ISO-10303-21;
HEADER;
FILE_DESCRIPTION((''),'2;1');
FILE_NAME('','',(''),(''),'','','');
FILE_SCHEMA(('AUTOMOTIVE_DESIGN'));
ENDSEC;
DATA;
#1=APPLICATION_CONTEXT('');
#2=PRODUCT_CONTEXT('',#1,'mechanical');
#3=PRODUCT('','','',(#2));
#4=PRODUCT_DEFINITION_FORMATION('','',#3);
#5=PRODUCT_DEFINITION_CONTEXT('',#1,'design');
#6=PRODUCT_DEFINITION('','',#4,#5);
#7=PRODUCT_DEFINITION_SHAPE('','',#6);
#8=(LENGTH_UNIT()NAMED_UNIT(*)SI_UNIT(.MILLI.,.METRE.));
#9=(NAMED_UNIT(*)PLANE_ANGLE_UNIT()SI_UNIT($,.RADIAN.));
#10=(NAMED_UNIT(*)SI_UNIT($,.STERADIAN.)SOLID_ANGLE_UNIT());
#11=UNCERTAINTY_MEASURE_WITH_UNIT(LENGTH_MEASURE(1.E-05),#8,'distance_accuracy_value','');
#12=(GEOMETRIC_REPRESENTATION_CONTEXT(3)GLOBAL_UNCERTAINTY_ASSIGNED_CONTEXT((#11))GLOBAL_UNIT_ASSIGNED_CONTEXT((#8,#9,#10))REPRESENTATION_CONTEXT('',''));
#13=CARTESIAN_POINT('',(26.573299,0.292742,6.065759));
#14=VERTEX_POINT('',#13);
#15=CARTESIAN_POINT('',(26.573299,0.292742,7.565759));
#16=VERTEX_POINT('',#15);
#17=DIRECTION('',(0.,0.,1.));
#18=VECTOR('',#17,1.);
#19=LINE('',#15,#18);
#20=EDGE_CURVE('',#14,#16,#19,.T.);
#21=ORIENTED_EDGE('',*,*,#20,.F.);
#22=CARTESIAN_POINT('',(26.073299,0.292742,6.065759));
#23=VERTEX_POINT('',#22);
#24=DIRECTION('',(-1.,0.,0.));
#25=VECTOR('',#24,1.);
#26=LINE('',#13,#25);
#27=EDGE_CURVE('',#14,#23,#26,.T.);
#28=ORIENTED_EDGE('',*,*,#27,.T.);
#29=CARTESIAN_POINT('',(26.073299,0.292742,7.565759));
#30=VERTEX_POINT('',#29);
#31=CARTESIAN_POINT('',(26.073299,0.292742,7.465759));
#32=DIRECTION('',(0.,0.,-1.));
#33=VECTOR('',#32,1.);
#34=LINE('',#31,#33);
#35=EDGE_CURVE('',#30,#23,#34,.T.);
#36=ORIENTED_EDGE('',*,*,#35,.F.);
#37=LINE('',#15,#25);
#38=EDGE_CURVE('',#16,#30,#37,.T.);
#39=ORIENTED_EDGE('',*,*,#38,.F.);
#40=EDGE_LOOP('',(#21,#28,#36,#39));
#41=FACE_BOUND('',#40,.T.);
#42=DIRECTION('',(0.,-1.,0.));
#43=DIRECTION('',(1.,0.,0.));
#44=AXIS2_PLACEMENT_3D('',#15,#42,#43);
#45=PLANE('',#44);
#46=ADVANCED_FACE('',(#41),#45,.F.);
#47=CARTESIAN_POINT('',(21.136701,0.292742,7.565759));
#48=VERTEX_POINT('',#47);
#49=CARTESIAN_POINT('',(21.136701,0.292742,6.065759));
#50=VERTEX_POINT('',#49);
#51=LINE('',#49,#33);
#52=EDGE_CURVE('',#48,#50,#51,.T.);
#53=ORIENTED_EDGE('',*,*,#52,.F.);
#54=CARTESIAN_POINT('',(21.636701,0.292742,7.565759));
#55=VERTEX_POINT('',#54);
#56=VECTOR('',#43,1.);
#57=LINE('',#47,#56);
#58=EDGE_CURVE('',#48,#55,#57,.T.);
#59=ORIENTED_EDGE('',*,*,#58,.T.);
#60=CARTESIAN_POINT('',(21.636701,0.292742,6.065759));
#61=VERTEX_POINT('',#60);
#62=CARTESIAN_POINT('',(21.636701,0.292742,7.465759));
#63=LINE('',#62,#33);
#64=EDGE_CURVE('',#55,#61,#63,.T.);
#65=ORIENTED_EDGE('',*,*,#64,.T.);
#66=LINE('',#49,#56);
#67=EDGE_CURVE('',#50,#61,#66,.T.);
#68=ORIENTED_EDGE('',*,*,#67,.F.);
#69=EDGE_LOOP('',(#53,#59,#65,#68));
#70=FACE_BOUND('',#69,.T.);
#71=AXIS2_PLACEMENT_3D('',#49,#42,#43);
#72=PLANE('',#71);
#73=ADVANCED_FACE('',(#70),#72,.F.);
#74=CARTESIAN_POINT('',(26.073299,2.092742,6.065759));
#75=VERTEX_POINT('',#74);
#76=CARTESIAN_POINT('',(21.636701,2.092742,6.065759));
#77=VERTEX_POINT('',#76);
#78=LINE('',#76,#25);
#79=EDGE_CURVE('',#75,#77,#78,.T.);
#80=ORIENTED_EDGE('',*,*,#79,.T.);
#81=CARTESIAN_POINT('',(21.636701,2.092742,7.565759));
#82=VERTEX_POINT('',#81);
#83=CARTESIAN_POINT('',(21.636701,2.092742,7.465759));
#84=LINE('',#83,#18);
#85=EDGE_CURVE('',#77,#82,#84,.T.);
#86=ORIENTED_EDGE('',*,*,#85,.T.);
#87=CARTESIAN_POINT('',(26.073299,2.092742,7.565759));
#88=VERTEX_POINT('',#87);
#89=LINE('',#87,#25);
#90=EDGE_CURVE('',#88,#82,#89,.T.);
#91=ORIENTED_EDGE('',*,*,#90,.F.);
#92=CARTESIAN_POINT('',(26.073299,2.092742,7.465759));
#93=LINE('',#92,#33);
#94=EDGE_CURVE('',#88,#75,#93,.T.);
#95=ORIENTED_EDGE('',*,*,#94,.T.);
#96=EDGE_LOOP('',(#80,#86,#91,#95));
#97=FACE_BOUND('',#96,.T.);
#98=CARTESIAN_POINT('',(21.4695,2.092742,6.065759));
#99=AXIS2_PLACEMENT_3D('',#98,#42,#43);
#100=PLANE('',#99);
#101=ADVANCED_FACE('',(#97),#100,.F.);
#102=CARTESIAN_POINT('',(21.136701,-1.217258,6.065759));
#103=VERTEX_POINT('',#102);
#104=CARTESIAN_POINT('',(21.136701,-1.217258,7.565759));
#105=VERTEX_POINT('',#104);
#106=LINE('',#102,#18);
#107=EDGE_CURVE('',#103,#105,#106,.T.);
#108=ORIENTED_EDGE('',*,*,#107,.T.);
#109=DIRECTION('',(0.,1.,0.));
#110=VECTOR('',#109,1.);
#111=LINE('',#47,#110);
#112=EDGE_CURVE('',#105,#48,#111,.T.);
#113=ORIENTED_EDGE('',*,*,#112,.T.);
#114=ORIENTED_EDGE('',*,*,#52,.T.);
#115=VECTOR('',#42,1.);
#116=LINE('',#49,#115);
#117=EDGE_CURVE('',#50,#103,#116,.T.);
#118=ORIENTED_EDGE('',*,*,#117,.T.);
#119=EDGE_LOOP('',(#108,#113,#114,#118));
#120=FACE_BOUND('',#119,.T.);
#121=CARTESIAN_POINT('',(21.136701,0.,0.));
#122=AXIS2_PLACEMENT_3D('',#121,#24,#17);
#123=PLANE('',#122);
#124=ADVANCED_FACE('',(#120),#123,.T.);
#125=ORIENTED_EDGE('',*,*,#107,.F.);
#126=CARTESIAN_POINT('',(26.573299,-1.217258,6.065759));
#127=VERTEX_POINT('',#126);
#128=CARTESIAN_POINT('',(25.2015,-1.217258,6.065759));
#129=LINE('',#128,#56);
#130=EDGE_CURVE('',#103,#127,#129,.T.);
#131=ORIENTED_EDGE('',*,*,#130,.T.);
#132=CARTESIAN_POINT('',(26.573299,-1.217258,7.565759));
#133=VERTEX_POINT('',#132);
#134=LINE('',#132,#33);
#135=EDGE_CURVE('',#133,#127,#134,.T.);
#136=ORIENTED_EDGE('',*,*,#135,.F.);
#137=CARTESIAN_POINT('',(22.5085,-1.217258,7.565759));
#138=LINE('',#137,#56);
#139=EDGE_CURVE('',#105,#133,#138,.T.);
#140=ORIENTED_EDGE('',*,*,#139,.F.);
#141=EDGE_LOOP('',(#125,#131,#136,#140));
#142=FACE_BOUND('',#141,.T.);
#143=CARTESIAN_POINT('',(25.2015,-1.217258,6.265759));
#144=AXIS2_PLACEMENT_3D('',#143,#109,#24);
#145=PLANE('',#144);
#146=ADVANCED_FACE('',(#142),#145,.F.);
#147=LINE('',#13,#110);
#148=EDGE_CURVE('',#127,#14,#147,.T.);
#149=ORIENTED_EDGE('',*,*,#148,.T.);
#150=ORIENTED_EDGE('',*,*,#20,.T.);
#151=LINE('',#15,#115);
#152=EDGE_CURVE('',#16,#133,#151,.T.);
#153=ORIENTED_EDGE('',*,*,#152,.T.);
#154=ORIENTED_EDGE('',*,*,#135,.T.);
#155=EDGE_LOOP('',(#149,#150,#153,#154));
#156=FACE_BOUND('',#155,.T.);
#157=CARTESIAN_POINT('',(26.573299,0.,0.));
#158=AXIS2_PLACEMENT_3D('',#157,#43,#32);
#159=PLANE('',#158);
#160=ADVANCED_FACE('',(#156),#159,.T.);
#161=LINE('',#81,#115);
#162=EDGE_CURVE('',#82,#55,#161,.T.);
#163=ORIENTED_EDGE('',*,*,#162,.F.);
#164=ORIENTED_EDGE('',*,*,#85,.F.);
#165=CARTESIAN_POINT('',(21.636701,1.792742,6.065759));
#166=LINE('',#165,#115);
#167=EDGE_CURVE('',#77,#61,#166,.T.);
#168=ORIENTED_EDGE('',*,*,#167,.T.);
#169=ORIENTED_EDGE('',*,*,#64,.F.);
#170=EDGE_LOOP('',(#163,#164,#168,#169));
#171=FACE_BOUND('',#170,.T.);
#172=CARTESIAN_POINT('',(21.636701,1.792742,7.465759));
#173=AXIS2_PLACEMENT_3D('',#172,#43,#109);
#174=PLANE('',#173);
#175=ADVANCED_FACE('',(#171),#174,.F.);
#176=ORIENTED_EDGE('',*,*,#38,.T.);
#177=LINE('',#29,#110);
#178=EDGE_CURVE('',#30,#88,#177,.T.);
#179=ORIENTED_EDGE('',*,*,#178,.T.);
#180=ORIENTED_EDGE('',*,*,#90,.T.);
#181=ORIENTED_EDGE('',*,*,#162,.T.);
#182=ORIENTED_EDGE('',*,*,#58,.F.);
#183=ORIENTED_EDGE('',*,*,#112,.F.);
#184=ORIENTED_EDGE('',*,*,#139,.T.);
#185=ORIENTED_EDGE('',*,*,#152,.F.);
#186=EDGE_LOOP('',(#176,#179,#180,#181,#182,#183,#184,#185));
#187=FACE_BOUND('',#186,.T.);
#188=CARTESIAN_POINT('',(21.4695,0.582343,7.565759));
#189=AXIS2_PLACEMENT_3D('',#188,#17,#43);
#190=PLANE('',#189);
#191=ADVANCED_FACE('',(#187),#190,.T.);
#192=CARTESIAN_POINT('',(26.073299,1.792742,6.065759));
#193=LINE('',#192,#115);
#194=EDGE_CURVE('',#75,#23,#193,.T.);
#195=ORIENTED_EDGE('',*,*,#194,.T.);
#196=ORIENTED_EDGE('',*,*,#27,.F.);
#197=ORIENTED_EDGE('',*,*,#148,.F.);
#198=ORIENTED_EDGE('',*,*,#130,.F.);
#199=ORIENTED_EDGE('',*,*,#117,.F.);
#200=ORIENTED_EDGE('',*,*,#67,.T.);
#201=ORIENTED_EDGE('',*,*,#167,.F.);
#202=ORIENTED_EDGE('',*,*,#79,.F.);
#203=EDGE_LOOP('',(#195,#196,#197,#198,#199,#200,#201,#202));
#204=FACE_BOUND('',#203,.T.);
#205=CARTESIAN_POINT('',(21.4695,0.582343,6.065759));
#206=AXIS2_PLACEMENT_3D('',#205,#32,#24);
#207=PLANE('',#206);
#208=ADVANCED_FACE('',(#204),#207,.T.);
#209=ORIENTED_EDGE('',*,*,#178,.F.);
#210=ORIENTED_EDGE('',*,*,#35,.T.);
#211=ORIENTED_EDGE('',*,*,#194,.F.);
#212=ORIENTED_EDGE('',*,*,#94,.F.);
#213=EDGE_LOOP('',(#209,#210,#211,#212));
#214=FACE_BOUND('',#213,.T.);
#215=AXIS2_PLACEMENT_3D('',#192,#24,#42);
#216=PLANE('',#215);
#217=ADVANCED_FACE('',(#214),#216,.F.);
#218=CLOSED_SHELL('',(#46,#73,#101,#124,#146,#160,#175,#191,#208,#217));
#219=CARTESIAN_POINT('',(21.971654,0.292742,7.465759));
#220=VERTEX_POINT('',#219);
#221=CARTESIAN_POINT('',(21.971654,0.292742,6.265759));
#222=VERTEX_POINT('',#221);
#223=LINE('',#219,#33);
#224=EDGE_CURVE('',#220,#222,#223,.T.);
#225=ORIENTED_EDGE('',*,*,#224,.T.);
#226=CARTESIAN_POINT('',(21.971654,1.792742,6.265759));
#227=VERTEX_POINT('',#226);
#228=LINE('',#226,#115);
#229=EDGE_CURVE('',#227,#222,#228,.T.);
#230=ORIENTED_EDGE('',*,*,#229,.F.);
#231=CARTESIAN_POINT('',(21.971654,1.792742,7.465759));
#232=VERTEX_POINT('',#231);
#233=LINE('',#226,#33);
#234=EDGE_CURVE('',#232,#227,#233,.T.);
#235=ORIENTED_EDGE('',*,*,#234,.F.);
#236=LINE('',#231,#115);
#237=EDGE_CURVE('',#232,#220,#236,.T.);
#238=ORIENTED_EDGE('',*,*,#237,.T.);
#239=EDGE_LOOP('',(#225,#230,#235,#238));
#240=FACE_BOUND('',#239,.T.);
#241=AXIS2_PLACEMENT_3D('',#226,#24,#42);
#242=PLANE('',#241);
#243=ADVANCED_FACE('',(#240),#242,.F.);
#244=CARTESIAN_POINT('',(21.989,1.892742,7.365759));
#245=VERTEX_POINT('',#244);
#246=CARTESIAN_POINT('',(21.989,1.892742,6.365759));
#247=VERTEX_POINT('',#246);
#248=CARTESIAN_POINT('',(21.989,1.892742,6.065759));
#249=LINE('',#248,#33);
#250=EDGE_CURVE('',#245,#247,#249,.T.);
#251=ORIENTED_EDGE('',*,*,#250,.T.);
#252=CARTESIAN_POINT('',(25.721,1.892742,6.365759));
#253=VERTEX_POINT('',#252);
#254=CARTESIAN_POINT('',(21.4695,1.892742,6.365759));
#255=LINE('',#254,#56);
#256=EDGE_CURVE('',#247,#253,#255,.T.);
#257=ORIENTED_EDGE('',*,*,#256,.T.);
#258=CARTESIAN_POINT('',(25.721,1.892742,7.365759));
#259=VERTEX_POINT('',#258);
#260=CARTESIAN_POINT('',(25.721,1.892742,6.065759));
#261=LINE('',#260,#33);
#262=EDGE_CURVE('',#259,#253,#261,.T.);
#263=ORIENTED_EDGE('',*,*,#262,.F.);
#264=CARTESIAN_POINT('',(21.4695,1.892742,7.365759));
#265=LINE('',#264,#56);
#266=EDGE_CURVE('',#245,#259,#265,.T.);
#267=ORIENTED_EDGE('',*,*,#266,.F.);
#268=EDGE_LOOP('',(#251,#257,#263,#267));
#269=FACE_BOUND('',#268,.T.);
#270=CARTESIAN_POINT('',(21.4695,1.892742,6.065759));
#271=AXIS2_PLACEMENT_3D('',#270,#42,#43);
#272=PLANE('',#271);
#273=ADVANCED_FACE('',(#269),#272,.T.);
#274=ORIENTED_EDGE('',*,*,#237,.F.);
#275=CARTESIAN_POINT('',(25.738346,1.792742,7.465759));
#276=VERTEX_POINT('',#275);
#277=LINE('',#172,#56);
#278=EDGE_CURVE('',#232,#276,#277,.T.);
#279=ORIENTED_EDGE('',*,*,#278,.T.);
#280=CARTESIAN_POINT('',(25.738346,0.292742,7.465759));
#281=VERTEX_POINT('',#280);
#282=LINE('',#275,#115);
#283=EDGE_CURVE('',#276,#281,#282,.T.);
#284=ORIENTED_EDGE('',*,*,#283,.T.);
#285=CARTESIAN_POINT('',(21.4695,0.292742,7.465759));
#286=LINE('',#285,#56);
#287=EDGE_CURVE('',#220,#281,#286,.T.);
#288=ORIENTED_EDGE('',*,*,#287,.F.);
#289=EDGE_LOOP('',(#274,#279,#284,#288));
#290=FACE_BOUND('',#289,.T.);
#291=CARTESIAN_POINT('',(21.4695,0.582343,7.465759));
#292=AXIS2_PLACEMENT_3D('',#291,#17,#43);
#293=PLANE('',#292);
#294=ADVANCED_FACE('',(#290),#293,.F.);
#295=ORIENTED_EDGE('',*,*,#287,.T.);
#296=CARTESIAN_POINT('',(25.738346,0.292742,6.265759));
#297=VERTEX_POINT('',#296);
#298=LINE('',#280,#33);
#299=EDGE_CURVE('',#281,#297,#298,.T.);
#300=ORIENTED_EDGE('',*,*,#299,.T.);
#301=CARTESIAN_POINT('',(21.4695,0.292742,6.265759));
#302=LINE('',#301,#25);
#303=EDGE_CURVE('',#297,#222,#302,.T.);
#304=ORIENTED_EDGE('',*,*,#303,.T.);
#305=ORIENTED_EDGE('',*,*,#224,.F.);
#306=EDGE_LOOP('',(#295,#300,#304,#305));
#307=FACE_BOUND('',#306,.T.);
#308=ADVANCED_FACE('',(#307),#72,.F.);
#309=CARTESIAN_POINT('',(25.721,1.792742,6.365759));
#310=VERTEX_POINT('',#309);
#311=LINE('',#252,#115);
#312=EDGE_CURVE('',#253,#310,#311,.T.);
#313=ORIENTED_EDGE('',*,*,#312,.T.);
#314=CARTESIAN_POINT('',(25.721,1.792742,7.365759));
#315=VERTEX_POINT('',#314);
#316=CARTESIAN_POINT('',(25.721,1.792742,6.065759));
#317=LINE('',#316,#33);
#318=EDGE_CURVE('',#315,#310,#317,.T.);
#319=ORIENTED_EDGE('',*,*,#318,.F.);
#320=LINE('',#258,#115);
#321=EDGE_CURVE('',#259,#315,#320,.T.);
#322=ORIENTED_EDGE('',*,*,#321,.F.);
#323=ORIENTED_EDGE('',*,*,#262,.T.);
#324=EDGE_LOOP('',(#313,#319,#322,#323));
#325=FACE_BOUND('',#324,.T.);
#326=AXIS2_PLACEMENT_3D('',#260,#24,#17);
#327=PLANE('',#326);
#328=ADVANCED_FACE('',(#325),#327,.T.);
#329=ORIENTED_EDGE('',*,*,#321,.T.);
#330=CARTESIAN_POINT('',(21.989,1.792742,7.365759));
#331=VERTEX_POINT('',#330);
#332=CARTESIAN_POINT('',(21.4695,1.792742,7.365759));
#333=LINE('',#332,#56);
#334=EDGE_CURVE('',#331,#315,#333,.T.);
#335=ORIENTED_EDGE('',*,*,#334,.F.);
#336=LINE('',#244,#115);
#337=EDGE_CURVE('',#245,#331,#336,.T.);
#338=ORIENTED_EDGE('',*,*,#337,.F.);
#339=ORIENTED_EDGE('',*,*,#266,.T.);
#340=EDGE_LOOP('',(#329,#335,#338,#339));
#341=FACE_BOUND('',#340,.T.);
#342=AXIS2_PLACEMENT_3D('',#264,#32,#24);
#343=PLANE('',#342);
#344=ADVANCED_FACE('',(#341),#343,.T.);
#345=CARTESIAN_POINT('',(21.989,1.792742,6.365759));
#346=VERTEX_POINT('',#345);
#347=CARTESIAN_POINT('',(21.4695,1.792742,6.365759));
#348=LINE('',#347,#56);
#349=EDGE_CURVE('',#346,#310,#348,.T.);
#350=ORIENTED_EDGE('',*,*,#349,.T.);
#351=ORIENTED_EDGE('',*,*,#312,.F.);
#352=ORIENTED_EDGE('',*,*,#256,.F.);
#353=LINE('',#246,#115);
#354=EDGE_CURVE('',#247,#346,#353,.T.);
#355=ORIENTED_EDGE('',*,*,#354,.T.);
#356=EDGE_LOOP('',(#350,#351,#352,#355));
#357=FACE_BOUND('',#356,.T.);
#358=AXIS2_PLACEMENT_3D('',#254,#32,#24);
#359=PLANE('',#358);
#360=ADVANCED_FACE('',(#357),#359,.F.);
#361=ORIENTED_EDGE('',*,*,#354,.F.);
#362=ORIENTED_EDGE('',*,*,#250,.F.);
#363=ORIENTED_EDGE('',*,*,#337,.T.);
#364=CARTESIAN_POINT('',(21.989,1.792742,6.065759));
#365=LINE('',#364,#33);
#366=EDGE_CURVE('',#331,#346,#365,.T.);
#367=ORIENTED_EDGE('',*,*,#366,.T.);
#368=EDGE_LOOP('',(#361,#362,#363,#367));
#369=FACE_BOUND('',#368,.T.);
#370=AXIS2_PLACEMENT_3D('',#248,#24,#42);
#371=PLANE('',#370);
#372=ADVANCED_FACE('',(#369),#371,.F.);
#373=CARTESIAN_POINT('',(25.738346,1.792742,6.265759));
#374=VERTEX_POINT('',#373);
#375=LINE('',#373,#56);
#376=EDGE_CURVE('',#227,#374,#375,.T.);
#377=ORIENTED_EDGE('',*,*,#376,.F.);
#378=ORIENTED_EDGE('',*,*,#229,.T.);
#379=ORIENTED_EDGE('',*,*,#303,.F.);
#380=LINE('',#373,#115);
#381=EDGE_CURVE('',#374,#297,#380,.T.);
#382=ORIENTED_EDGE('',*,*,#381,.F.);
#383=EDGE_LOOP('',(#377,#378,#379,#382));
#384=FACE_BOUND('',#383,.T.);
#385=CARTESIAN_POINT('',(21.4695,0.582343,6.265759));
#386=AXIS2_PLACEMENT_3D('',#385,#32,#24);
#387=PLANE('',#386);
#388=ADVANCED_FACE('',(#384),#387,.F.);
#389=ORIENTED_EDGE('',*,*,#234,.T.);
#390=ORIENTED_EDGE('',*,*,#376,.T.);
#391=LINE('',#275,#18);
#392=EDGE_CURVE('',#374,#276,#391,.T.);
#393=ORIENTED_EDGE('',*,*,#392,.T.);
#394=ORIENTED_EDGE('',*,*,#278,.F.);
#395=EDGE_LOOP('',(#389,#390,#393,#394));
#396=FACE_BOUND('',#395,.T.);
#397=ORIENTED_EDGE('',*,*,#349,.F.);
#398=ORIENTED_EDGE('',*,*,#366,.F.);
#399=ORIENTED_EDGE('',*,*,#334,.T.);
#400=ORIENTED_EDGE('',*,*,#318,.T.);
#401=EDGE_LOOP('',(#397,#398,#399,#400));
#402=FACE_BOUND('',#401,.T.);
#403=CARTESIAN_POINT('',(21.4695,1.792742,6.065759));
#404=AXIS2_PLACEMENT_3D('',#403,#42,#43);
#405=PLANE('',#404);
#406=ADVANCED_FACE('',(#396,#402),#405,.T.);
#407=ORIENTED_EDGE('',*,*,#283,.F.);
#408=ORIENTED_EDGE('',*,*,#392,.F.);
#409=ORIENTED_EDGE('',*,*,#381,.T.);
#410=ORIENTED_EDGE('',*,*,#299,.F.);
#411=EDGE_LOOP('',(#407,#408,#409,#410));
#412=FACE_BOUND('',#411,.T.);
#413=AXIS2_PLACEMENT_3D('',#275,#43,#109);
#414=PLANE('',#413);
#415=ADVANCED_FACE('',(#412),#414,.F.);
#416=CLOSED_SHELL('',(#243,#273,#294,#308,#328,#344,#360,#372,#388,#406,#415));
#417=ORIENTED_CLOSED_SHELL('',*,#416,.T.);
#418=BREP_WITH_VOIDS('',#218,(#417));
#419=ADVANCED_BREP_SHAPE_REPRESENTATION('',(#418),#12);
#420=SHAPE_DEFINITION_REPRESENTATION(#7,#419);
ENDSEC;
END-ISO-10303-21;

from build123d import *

# Parameters (mm, degrees)
EXTRUDE_1_DEPTH     = 2
EXTRUDE_5_DEPTH     = 12
SKETCH_3_R          = 2
EXTRUDE_6_DEPTH     = 12
CUT_EXTRUDE_1_DEPTH = 12
EXTRUDE_7_DEPTH     = 15
SKETCH_7_W          = 44.36597813
SKETCH_7_H          = 14
EXTRUDE_8_DEPTH     = 3
SKETCH_9_W          = 18.66
SKETCH_9_H          = 10
CUT_EXTRUDE_3_DEPTH = 1
EXTRUDE_9_DEPTH     = 1
SCALE_1_SCALE       = 0.1
SKETCH_11_W         = 1.5
SKETCH_11_H         = 1.51
EXTRUDE_10_DEPTH    = 0.5
SKETCH_12_W         = 1.5
SKETCH_12_H         = 1.51
EXTRUDE_11_DEPTH    = 0.5
SKETCH_13_W         = 5.436597812
SKETCH_13_H         = 1.51
EXTRUDE_12_DEPTH    = 1.5


with BuildPart() as part:
    # 스케치2 → 보스-돌출1 (new body)
    with BuildSketch(Plane.XY):
        Polygon((0, 0), (47.71, 0), (37.32, -17.996007891), (10.39, -17.996007891), align=None)
    extrude(amount=EXTRUDE_1_DEPTH)

    # 스케치4 → 보스-돌출5 (add)
    with BuildSketch(Plane.XY.offset(2)):
        Polygon((13.739529946, -17.996007891), (5.021540881, -2.896007891), (1.672010935, -2.896007891), (10.39, -17.996007891), align=None)
        Polygon((46.037989065, -2.896007891), (42.688459119, -2.896007891), (33.970470054, -17.996007891), (37.32, -17.996007891), align=None)
    extrude(amount=EXTRUDE_5_DEPTH)

    # 스케치3 → 보스-돌출6 (add)
    with BuildSketch(Plane.XY.offset(2)):
        with Locations(Location((15.355, -11.594084102, 0), (0, 0, 180))):
            Circle(SKETCH_3_R)
        with Locations((32.355, -11.594084102)):
            Circle(SKETCH_3_R)
    extrude(amount=EXTRUDE_6_DEPTH)

    # 스케치5 → 컷-돌출1 (cut)
    with BuildSketch(Plane.XY.offset(2)):
        Polygon((0, 0), (47.71, 0), (46.037989065, -2.896007891), (1.672010935, -2.896007891), align=None)
    extrude(amount=-CUT_EXTRUDE_1_DEPTH, mode=Mode.SUBTRACT)

    # 스케치6 → 보스-돌출7 (add)
    with BuildSketch(Plane(origin=(0, -2.896007891, 0), x_dir=(1, 0, 0), z_dir=(0, 1, 0))):
        Polygon((5.021540881, -14), (1.672010935, -14), (1.672010935, 0), (46.037989065, 0), (46.037989065, -14), (42.688459119, -14), (42.688459119, -2), (5.021540881, -2), align=None)
    extrude(amount=EXTRUDE_7_DEPTH)

    # 스케치7 → 보스-돌출8 (add)
    with BuildSketch(Plane(origin=(0, 12.103992109, 0), x_dir=(1, 0, 0), z_dir=(0, 1, 0))):
        with Locations((23.855, -7)):
            Rectangle(SKETCH_7_W, SKETCH_7_H)
    extrude(amount=EXTRUDE_8_DEPTH)

    # 스케치9 → 컷-돌출3 (cut)
    with BuildSketch(Plane.XZ.offset(-12.103992109)):
        with Locations((14.525, 8)):
            Rectangle(SKETCH_9_W, SKETCH_9_H)
        with Locations((33.185, 8)):
            Rectangle(SKETCH_9_W, SKETCH_9_H)
    extrude(amount=-CUT_EXTRUDE_3_DEPTH, mode=Mode.SUBTRACT)

    # 스케치10 → 보스-돌출9 (add)
    with BuildSketch(Plane.XY.offset(14)):
        Polygon((10.39, -17.996007891), (37.32, -17.996007891), (46.037989065, -2.896007891), (46.037989065, 15.103992109), (1.672010935, 15.103992109), (1.672010935, -2.896007891), align=None)
    extrude(amount=EXTRUDE_9_DEPTH)


with BuildPart() as part_1:
    # 축척1: scaled about (23.855, 0.64704732, 6.739732729)
    add(part.part.scale(SCALE_1_SCALE).moved(Location((21.4695, 0.582342588, 6.065759456))))

    # 스케치11 → 보스-돌출10 (add, symmetric)
    with BuildSketch(Plane.ZY.offset(-21.636701094)):
        with Locations((6.815759456, -0.462258201)):
            Rectangle(SKETCH_11_W, SKETCH_11_H)
    extrude(amount=EXTRUDE_10_DEPTH, both=True)

    # 스케치12 → 보스-돌출11 (add, symmetric)
    with BuildSketch(Plane(origin=(26.073298906, 0, 0), x_dir=(0, 0, -1), z_dir=(1, 0, 0))):
        with Locations((-6.815759456, -0.462258201)):
            Rectangle(SKETCH_12_W, SKETCH_12_H)
    extrude(amount=EXTRUDE_11_DEPTH, both=True)

    # 스케치13 → 보스-돌출12 (add)
    with BuildSketch(Plane(origin=(0, 0, 6.065759456), x_dir=(-1, 0, 0), z_dir=(0, 0, -1))):
        with Locations((-23.855, -0.462258201)):
            Rectangle(SKETCH_13_W, SKETCH_13_H)
    extrude(amount=-EXTRUDE_12_DEPTH)


solid = part_1.part
